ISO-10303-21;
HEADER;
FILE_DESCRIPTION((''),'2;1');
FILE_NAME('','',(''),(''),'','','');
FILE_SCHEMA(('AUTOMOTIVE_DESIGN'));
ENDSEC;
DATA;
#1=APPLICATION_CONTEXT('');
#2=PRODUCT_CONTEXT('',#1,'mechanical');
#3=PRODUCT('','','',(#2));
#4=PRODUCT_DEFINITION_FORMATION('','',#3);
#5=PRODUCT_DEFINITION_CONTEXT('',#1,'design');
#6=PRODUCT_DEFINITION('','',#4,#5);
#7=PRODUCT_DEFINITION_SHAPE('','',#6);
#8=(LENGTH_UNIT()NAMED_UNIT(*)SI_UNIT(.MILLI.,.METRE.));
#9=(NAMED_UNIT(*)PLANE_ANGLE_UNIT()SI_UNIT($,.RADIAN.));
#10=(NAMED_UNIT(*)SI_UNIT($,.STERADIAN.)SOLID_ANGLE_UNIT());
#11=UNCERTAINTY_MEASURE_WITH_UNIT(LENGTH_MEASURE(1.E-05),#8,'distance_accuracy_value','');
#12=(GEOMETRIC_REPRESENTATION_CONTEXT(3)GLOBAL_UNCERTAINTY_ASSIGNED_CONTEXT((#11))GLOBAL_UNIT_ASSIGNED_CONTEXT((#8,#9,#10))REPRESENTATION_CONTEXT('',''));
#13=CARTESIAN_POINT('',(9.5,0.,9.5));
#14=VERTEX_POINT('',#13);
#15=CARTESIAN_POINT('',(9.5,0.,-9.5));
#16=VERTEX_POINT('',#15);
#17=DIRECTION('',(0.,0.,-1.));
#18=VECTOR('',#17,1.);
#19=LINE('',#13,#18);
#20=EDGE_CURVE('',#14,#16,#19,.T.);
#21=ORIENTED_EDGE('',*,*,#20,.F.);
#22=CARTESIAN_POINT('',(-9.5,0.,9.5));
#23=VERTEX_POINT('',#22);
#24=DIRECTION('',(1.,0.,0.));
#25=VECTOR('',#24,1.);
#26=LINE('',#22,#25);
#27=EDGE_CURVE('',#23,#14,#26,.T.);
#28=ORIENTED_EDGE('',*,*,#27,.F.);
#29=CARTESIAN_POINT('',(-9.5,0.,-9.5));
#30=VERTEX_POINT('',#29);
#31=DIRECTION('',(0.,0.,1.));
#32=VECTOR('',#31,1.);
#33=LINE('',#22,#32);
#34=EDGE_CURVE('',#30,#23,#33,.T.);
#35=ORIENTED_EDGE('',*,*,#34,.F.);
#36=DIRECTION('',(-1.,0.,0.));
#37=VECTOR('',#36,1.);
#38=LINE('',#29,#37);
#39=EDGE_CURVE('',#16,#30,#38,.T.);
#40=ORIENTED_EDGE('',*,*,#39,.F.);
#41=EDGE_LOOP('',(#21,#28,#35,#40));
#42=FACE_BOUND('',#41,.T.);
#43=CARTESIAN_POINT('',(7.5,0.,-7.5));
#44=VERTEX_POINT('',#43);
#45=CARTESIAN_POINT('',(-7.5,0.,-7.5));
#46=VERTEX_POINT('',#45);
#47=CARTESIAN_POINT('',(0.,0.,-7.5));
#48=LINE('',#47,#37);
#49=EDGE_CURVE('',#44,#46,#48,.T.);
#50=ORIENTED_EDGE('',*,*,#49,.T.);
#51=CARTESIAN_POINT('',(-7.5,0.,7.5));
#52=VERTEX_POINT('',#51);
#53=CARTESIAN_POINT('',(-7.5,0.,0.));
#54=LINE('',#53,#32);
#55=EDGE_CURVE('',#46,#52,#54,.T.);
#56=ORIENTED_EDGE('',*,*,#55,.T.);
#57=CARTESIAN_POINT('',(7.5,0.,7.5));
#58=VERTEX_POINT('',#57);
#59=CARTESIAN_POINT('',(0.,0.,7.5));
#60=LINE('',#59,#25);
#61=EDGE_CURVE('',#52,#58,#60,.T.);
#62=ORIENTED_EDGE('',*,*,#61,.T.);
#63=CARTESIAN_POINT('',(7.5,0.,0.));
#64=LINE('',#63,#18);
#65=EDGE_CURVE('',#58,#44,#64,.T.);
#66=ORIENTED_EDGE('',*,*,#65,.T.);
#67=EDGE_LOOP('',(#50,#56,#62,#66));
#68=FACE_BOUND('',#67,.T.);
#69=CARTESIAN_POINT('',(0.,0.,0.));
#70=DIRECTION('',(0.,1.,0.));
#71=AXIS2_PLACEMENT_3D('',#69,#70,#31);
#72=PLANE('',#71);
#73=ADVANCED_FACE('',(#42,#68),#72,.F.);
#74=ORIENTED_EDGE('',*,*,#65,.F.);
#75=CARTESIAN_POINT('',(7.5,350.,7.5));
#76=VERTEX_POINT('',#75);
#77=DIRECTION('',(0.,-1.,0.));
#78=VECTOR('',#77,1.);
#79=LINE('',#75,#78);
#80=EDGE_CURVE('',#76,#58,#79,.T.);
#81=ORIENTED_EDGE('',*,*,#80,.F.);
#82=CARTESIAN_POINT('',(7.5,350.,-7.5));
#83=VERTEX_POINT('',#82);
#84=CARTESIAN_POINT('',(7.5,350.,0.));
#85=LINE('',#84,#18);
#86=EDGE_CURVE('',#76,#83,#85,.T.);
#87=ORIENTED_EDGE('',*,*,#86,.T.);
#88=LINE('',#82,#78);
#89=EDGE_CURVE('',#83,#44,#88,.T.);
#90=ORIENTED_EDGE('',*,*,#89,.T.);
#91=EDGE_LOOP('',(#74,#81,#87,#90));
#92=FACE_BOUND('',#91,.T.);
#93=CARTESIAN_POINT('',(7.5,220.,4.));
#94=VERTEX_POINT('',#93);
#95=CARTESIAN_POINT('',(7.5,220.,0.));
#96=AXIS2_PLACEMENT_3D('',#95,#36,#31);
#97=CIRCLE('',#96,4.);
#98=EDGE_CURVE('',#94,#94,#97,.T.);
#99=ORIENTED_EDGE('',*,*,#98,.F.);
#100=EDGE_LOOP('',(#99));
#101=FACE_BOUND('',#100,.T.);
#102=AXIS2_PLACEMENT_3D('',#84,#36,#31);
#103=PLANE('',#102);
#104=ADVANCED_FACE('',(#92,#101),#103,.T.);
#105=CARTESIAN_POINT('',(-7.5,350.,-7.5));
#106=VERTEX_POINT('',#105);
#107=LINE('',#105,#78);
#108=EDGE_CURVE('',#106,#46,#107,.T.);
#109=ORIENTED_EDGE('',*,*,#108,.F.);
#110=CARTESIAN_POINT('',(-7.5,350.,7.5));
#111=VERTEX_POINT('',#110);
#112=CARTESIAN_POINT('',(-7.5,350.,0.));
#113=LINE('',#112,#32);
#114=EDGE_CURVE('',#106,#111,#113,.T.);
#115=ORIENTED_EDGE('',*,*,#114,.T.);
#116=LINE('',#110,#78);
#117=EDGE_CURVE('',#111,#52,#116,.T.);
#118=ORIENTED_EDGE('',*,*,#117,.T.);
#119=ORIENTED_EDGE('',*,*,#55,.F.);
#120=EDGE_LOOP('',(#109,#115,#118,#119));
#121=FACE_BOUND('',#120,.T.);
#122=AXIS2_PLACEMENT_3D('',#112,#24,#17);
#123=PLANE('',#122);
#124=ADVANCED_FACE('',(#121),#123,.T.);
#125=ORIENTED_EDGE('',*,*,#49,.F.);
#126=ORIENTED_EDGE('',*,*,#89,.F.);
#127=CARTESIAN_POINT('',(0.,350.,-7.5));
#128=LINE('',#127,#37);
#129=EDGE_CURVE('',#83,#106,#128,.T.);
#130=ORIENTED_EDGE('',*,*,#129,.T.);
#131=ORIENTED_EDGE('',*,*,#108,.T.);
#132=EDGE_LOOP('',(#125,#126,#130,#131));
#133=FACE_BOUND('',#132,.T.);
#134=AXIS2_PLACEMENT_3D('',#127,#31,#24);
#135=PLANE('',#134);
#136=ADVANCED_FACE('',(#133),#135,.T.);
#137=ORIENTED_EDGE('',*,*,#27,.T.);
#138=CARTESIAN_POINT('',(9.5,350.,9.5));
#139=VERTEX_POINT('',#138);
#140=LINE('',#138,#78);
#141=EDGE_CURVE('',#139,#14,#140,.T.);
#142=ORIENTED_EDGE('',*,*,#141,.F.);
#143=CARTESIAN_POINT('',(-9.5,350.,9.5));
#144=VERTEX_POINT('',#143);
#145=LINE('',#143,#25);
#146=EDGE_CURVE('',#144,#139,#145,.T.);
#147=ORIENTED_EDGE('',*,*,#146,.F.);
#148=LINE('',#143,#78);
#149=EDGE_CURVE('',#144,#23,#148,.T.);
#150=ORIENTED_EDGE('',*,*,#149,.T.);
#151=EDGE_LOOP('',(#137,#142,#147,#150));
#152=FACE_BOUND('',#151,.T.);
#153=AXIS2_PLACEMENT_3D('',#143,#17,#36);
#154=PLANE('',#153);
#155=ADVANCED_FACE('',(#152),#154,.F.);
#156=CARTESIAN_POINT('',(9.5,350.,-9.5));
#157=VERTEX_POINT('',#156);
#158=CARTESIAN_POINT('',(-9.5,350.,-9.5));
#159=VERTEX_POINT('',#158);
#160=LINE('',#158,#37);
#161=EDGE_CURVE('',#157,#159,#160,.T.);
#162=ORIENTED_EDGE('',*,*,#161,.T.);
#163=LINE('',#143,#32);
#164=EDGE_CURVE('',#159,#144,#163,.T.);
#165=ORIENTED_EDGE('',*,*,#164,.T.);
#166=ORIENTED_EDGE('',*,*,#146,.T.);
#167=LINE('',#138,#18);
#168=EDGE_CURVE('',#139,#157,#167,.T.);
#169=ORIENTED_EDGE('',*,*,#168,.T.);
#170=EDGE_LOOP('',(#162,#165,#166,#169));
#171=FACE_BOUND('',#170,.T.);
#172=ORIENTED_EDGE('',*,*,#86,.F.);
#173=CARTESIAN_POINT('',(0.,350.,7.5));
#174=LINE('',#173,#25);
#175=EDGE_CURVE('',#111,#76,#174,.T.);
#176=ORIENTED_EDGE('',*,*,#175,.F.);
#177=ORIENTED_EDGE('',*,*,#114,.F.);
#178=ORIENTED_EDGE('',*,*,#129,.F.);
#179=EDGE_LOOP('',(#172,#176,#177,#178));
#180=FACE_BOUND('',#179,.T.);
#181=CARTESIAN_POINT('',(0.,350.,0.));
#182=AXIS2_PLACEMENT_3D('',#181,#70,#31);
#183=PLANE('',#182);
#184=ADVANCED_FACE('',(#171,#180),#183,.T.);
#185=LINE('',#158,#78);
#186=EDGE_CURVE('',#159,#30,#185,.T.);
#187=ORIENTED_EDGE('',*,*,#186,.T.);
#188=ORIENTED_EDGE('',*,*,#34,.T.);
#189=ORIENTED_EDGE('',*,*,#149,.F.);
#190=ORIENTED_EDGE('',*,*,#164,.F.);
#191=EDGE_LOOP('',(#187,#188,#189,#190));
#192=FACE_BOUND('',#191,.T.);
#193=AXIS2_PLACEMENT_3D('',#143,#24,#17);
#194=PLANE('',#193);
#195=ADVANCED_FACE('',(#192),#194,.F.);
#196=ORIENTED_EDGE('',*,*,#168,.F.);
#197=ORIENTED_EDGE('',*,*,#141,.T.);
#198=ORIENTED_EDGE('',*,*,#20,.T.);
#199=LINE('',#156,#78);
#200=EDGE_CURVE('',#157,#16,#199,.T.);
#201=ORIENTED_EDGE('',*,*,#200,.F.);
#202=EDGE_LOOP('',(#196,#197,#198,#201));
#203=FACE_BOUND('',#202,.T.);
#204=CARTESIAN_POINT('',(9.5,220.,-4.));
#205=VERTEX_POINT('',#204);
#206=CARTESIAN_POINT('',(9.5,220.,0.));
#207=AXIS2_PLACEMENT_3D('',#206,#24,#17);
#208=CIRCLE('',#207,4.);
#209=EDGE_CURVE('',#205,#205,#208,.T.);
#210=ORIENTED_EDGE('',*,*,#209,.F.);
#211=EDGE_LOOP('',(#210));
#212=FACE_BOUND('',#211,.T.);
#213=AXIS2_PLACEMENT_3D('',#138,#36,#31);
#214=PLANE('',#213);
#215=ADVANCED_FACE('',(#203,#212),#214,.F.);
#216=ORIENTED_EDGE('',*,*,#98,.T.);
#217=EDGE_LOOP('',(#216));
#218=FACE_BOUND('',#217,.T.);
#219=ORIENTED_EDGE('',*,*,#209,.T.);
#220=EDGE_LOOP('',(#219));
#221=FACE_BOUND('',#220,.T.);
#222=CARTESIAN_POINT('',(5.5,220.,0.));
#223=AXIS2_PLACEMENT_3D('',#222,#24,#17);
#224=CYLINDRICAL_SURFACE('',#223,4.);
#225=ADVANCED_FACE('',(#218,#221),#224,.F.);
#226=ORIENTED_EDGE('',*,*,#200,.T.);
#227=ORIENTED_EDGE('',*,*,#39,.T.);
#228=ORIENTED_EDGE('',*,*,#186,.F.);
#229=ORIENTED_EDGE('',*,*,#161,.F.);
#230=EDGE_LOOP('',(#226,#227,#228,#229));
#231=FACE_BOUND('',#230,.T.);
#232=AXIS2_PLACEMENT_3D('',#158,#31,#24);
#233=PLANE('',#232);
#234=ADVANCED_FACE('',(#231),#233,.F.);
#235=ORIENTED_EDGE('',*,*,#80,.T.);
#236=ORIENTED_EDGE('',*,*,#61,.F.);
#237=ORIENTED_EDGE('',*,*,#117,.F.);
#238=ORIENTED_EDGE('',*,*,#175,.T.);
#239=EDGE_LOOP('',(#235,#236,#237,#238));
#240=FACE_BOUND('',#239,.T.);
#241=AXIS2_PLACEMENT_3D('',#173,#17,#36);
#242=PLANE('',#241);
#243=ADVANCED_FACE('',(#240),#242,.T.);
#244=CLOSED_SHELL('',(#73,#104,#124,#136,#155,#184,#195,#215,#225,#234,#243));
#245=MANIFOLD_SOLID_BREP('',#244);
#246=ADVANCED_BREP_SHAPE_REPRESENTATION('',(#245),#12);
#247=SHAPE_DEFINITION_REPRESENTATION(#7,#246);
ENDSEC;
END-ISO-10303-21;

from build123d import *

# Parameters (mm, degrees)
SKETCH1_W           = 19
SKETCH1_H           = 19
SKETCH1_W_2         = 15
SKETCH1_H_2         = 15
EXTRUDE_THIN1_DEPTH = 350
SKETCH2_R           = 4
CUT_EXTRUDE1_DEPTH  = 4


with BuildPart() as part:
    # Sketch1 → Extrude-Thin1 (new body)
    with BuildSketch(Plane(origin=(0, 0, 0), x_dir=(1, 0, 0), z_dir=(0, 1, 0))):
        Rectangle(SKETCH1_W, SKETCH1_H)
        Rectangle(SKETCH1_W_2, SKETCH1_H_2, mode=Mode.SUBTRACT)
    extrude(amount=EXTRUDE_THIN1_DEPTH)

    # Sketch2 → Cut-Extrude1 (cut)
    with BuildSketch(Plane(origin=(9.5, 0, 0), x_dir=(0, 0, -1), z_dir=(1, 0, 0))):
        with Locations((0, 220)):
            Circle(SKETCH2_R)
    extrude(amount=-CUT_EXTRUDE1_DEPTH, mode=Mode.SUBTRACT)


solid = part.part
